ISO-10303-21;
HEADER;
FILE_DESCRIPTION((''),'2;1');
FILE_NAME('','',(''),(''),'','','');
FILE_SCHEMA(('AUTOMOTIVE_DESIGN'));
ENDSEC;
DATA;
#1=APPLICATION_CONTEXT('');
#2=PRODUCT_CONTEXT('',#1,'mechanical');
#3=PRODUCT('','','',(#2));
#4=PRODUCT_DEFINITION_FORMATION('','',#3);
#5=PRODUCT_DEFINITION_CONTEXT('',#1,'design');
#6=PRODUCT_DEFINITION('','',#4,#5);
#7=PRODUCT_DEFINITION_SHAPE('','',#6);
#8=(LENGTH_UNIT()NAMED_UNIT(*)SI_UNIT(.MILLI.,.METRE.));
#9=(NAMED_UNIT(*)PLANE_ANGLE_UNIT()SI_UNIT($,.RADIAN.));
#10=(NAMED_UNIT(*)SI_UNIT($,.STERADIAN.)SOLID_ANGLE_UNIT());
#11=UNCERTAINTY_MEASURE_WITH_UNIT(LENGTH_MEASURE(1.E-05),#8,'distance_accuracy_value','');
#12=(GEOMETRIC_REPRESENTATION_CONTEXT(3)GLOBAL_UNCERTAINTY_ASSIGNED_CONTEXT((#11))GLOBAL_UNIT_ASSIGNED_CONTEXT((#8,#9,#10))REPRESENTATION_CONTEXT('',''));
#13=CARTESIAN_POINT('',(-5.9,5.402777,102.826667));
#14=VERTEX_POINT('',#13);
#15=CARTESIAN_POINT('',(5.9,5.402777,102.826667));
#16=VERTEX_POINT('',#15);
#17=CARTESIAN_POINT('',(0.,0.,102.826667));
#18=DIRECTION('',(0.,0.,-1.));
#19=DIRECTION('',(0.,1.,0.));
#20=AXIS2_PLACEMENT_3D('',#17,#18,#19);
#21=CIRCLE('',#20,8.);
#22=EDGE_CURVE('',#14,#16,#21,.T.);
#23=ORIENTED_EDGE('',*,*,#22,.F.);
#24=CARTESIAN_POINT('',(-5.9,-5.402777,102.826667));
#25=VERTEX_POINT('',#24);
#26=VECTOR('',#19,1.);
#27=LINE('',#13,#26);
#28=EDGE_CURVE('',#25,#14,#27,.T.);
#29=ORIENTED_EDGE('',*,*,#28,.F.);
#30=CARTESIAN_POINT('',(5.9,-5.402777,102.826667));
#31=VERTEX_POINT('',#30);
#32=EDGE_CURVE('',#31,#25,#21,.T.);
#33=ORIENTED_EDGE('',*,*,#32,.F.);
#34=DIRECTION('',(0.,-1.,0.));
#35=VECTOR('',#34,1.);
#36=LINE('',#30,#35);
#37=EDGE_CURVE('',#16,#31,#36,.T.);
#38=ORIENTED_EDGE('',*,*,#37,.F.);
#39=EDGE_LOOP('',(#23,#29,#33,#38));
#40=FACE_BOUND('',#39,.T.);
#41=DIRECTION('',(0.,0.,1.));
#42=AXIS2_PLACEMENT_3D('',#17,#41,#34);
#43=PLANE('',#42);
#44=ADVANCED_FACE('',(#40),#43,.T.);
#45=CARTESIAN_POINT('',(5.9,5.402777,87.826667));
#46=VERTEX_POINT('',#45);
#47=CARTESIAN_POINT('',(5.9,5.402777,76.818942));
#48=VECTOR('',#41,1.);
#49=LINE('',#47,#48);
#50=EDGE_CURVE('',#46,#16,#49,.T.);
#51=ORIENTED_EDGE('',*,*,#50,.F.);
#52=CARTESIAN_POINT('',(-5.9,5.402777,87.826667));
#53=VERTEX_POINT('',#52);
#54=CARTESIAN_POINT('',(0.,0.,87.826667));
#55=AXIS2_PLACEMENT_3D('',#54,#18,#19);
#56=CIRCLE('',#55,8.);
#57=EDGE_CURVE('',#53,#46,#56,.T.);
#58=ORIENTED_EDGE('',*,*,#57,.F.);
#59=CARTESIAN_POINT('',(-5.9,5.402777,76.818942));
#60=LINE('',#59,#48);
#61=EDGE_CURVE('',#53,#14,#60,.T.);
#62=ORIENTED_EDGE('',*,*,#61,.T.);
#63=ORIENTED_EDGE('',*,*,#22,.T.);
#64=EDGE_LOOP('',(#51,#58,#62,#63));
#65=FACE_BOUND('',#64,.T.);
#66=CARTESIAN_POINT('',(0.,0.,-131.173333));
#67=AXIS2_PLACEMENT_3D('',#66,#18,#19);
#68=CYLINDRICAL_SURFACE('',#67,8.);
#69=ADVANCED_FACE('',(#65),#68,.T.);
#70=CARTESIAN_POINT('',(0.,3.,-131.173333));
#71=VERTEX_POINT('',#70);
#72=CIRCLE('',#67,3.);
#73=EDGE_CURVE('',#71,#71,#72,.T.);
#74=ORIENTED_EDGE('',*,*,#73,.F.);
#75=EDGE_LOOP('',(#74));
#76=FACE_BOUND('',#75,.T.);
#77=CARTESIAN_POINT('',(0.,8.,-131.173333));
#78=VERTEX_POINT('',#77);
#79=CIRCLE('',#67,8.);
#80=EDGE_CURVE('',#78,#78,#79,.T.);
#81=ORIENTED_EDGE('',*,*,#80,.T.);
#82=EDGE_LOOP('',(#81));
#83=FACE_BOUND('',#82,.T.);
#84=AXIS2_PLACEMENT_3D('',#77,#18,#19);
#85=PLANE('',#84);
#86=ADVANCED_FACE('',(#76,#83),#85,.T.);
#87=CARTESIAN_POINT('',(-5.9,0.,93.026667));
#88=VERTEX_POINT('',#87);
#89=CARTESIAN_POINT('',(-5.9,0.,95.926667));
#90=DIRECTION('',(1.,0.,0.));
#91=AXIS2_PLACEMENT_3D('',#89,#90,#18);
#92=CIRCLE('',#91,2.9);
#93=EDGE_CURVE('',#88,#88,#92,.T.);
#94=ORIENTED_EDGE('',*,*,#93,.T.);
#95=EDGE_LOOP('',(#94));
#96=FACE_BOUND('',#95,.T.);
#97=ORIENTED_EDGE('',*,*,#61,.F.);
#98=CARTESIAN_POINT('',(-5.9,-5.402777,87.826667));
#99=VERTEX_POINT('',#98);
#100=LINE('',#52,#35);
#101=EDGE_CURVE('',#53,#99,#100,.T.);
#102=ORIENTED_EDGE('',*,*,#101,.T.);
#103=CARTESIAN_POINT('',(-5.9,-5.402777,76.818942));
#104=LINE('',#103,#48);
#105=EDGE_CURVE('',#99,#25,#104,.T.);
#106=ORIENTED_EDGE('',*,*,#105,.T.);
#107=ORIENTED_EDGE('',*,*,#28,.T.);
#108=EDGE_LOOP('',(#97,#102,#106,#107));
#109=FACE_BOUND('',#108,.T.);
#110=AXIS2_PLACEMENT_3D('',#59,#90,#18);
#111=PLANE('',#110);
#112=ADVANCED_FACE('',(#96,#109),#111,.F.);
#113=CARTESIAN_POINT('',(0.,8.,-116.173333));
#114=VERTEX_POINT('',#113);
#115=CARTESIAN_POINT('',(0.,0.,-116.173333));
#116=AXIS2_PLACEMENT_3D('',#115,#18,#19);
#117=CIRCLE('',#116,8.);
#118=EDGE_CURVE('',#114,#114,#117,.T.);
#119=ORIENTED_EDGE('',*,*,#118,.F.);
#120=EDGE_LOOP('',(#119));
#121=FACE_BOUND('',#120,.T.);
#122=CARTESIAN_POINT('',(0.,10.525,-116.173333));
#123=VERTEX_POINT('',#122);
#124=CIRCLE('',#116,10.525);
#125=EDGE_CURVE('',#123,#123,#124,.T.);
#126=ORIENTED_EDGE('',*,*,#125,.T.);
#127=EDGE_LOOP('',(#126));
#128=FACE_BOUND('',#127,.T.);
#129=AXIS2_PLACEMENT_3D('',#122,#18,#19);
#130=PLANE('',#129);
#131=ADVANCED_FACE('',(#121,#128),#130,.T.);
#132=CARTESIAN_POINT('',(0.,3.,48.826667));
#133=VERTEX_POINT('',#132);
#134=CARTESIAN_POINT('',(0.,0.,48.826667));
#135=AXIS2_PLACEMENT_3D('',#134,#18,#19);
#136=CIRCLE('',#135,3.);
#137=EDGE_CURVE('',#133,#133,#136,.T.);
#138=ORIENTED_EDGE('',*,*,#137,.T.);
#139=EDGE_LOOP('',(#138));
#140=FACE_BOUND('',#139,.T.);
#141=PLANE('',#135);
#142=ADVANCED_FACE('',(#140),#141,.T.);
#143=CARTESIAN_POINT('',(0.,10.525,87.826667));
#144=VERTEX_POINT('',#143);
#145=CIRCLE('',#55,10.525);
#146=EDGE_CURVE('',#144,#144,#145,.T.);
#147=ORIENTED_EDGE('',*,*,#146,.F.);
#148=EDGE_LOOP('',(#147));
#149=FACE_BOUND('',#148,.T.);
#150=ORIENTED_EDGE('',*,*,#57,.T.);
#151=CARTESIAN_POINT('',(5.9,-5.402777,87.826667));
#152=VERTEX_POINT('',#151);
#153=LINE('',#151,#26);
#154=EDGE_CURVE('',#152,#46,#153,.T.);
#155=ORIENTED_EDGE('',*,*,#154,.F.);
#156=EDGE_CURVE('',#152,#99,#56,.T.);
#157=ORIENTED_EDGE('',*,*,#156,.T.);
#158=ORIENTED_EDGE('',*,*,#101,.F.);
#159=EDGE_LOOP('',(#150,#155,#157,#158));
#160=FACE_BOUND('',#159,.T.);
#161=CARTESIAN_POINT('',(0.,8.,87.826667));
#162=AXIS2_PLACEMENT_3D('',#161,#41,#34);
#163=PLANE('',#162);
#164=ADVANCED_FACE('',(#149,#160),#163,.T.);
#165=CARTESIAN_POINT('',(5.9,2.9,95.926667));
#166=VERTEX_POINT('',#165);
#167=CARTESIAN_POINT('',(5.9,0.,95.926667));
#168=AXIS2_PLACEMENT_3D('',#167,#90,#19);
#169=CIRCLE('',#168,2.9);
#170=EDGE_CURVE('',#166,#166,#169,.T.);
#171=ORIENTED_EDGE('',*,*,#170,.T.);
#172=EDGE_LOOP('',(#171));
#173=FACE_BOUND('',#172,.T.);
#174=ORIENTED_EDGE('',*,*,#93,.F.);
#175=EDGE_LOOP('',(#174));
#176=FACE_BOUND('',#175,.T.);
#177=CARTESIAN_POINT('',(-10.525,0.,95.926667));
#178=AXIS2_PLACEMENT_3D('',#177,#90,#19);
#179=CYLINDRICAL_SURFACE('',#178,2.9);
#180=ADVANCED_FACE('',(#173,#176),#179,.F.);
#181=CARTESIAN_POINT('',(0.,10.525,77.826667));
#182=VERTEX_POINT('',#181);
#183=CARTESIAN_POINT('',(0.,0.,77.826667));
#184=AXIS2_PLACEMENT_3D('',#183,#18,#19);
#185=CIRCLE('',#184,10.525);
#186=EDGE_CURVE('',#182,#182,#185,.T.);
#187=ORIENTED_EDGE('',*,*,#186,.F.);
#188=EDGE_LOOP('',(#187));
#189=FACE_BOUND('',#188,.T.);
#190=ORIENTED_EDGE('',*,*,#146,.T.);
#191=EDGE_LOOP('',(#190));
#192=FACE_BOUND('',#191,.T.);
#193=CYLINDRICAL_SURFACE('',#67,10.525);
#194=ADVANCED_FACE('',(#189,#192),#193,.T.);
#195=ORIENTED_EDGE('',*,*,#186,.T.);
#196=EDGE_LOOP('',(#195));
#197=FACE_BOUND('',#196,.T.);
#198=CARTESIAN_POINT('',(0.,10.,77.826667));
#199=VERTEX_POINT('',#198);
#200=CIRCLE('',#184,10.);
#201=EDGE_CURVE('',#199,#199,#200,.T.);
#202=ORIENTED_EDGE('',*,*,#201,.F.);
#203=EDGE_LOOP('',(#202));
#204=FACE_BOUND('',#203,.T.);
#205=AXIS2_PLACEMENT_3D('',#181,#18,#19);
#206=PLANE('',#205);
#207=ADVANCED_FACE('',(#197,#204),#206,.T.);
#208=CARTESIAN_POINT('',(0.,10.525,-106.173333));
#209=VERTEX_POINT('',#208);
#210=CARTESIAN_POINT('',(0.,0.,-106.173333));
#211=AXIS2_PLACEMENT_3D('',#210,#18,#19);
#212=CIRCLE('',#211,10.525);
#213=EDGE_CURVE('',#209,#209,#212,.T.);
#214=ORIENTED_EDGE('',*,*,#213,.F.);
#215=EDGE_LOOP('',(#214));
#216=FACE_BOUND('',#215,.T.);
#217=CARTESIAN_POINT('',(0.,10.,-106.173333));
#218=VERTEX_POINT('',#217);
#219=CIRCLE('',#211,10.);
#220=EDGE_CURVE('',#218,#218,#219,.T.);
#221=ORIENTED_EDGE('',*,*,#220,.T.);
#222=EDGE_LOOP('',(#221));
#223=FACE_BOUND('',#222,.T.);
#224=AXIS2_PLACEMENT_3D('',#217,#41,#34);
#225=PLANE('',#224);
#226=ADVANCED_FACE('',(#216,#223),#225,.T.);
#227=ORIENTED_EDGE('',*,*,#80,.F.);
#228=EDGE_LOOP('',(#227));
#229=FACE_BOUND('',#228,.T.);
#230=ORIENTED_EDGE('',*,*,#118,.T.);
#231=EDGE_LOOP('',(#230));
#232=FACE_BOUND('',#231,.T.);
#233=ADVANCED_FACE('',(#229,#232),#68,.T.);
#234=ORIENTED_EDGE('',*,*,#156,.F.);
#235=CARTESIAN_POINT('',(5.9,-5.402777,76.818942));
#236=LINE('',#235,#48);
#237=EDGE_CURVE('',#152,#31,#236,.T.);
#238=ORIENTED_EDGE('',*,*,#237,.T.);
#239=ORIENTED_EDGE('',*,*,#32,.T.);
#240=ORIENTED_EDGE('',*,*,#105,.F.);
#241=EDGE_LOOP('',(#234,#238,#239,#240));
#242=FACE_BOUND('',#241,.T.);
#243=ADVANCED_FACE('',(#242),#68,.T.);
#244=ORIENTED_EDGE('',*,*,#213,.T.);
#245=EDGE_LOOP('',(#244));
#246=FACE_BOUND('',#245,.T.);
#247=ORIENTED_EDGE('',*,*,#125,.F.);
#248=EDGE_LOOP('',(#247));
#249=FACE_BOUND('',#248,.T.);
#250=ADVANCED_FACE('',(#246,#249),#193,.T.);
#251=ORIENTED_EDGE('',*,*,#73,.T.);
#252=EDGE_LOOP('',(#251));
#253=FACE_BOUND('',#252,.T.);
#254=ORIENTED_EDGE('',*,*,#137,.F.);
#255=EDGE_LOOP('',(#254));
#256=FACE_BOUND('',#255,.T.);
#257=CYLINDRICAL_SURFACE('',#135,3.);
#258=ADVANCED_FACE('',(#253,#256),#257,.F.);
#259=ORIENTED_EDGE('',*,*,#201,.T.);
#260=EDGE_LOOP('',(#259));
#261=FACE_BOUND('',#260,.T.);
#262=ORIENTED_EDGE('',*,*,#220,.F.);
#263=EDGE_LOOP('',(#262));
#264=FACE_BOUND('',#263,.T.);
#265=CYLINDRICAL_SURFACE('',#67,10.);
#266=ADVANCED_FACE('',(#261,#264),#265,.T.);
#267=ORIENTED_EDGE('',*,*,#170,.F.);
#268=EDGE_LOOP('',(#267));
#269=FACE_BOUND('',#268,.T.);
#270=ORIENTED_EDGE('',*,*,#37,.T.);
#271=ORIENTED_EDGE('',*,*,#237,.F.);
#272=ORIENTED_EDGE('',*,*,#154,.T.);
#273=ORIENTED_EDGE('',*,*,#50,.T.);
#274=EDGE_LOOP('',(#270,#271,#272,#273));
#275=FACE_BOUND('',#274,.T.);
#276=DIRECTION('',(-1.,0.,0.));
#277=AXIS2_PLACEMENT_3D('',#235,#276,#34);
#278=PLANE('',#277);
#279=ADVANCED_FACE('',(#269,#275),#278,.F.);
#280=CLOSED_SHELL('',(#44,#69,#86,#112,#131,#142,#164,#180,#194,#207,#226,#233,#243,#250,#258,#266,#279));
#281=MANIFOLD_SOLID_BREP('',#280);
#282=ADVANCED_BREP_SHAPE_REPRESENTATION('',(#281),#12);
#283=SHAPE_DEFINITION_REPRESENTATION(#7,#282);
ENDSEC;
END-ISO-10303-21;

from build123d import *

# Parameters (mm, degrees)
CUT_EXTRUDE1_DEPTH = 15
SKETCH4_R          = 2.9
CUT_EXTRUDE2_DEPTH = 17.425
SKETCH5_R          = 3
CUT_EXTRUDE3_DEPTH = 180


with BuildPart() as part:
    # Sketch2 → Revolve1 (revolve)
    with BuildSketch(Plane(origin=(0, 0, 0), x_dir=(0, 0, -1), z_dir=(1, 0, 0))):
        Polygon((116.173333333, 10.525), (116.173333333, 8), (131.173333333, 8), (131.173333333, 0), (-102.826666667, 0), (-102.826666667, 8), (-87.826666667, 8), (-87.826666667, 10.525), (-77.826666667, 10.525), (-77.826666667, 10), (106.173333333, 10), (106.173333333, 10.525), align=None)
    revolve(axis=Axis((0, 0, -131.173333333), (0, 0, 1)))

    # Sketch3 → Cut-Extrude1 (cut)
    with BuildSketch(Plane.XY.offset(102.826666667)):
        with BuildLine():
            Line((-5.9, 5.402777064), (-5.9, -5.402777064))
            ThreePointArc((-5.9, -5.402777064), (-8, 0), (-5.9, 5.402777064))
        make_face()
        with BuildLine():
            Line((5.9, -5.402777064), (5.9, 5.402777064))
            ThreePointArc((5.9, 5.402777064), (8, 0), (5.9, -5.402777064))
        make_face()
    extrude(amount=-CUT_EXTRUDE1_DEPTH, mode=Mode.SUBTRACT)

    # Sketch4 → Cut-Extrude2 (cut, through all)
    with BuildSketch(Plane(origin=(5.9, 0, 0), x_dir=(0, 0, -1), z_dir=(1, 0, 0))):
        with Locations(Location((-95.926666667, 0, 0), (0, 0, 90))):  # turned: the seam where the file's is
            Circle(SKETCH4_R)
    extrude(amount=-CUT_EXTRUDE2_DEPTH, mode=Mode.SUBTRACT)

    # Sketch5 → Cut-Extrude3 (cut)
    with BuildSketch(Plane(origin=(0, 0, -131.173333333), x_dir=(-1, 0, 0), z_dir=(0, 0, -1))):
        with Locations(Location((0, 0, 0), (0, 0, 90))):  # turned: the seam where the file's is
            Circle(SKETCH5_R)
    extrude(amount=-CUT_EXTRUDE3_DEPTH, mode=Mode.SUBTRACT)


solid = part.part
